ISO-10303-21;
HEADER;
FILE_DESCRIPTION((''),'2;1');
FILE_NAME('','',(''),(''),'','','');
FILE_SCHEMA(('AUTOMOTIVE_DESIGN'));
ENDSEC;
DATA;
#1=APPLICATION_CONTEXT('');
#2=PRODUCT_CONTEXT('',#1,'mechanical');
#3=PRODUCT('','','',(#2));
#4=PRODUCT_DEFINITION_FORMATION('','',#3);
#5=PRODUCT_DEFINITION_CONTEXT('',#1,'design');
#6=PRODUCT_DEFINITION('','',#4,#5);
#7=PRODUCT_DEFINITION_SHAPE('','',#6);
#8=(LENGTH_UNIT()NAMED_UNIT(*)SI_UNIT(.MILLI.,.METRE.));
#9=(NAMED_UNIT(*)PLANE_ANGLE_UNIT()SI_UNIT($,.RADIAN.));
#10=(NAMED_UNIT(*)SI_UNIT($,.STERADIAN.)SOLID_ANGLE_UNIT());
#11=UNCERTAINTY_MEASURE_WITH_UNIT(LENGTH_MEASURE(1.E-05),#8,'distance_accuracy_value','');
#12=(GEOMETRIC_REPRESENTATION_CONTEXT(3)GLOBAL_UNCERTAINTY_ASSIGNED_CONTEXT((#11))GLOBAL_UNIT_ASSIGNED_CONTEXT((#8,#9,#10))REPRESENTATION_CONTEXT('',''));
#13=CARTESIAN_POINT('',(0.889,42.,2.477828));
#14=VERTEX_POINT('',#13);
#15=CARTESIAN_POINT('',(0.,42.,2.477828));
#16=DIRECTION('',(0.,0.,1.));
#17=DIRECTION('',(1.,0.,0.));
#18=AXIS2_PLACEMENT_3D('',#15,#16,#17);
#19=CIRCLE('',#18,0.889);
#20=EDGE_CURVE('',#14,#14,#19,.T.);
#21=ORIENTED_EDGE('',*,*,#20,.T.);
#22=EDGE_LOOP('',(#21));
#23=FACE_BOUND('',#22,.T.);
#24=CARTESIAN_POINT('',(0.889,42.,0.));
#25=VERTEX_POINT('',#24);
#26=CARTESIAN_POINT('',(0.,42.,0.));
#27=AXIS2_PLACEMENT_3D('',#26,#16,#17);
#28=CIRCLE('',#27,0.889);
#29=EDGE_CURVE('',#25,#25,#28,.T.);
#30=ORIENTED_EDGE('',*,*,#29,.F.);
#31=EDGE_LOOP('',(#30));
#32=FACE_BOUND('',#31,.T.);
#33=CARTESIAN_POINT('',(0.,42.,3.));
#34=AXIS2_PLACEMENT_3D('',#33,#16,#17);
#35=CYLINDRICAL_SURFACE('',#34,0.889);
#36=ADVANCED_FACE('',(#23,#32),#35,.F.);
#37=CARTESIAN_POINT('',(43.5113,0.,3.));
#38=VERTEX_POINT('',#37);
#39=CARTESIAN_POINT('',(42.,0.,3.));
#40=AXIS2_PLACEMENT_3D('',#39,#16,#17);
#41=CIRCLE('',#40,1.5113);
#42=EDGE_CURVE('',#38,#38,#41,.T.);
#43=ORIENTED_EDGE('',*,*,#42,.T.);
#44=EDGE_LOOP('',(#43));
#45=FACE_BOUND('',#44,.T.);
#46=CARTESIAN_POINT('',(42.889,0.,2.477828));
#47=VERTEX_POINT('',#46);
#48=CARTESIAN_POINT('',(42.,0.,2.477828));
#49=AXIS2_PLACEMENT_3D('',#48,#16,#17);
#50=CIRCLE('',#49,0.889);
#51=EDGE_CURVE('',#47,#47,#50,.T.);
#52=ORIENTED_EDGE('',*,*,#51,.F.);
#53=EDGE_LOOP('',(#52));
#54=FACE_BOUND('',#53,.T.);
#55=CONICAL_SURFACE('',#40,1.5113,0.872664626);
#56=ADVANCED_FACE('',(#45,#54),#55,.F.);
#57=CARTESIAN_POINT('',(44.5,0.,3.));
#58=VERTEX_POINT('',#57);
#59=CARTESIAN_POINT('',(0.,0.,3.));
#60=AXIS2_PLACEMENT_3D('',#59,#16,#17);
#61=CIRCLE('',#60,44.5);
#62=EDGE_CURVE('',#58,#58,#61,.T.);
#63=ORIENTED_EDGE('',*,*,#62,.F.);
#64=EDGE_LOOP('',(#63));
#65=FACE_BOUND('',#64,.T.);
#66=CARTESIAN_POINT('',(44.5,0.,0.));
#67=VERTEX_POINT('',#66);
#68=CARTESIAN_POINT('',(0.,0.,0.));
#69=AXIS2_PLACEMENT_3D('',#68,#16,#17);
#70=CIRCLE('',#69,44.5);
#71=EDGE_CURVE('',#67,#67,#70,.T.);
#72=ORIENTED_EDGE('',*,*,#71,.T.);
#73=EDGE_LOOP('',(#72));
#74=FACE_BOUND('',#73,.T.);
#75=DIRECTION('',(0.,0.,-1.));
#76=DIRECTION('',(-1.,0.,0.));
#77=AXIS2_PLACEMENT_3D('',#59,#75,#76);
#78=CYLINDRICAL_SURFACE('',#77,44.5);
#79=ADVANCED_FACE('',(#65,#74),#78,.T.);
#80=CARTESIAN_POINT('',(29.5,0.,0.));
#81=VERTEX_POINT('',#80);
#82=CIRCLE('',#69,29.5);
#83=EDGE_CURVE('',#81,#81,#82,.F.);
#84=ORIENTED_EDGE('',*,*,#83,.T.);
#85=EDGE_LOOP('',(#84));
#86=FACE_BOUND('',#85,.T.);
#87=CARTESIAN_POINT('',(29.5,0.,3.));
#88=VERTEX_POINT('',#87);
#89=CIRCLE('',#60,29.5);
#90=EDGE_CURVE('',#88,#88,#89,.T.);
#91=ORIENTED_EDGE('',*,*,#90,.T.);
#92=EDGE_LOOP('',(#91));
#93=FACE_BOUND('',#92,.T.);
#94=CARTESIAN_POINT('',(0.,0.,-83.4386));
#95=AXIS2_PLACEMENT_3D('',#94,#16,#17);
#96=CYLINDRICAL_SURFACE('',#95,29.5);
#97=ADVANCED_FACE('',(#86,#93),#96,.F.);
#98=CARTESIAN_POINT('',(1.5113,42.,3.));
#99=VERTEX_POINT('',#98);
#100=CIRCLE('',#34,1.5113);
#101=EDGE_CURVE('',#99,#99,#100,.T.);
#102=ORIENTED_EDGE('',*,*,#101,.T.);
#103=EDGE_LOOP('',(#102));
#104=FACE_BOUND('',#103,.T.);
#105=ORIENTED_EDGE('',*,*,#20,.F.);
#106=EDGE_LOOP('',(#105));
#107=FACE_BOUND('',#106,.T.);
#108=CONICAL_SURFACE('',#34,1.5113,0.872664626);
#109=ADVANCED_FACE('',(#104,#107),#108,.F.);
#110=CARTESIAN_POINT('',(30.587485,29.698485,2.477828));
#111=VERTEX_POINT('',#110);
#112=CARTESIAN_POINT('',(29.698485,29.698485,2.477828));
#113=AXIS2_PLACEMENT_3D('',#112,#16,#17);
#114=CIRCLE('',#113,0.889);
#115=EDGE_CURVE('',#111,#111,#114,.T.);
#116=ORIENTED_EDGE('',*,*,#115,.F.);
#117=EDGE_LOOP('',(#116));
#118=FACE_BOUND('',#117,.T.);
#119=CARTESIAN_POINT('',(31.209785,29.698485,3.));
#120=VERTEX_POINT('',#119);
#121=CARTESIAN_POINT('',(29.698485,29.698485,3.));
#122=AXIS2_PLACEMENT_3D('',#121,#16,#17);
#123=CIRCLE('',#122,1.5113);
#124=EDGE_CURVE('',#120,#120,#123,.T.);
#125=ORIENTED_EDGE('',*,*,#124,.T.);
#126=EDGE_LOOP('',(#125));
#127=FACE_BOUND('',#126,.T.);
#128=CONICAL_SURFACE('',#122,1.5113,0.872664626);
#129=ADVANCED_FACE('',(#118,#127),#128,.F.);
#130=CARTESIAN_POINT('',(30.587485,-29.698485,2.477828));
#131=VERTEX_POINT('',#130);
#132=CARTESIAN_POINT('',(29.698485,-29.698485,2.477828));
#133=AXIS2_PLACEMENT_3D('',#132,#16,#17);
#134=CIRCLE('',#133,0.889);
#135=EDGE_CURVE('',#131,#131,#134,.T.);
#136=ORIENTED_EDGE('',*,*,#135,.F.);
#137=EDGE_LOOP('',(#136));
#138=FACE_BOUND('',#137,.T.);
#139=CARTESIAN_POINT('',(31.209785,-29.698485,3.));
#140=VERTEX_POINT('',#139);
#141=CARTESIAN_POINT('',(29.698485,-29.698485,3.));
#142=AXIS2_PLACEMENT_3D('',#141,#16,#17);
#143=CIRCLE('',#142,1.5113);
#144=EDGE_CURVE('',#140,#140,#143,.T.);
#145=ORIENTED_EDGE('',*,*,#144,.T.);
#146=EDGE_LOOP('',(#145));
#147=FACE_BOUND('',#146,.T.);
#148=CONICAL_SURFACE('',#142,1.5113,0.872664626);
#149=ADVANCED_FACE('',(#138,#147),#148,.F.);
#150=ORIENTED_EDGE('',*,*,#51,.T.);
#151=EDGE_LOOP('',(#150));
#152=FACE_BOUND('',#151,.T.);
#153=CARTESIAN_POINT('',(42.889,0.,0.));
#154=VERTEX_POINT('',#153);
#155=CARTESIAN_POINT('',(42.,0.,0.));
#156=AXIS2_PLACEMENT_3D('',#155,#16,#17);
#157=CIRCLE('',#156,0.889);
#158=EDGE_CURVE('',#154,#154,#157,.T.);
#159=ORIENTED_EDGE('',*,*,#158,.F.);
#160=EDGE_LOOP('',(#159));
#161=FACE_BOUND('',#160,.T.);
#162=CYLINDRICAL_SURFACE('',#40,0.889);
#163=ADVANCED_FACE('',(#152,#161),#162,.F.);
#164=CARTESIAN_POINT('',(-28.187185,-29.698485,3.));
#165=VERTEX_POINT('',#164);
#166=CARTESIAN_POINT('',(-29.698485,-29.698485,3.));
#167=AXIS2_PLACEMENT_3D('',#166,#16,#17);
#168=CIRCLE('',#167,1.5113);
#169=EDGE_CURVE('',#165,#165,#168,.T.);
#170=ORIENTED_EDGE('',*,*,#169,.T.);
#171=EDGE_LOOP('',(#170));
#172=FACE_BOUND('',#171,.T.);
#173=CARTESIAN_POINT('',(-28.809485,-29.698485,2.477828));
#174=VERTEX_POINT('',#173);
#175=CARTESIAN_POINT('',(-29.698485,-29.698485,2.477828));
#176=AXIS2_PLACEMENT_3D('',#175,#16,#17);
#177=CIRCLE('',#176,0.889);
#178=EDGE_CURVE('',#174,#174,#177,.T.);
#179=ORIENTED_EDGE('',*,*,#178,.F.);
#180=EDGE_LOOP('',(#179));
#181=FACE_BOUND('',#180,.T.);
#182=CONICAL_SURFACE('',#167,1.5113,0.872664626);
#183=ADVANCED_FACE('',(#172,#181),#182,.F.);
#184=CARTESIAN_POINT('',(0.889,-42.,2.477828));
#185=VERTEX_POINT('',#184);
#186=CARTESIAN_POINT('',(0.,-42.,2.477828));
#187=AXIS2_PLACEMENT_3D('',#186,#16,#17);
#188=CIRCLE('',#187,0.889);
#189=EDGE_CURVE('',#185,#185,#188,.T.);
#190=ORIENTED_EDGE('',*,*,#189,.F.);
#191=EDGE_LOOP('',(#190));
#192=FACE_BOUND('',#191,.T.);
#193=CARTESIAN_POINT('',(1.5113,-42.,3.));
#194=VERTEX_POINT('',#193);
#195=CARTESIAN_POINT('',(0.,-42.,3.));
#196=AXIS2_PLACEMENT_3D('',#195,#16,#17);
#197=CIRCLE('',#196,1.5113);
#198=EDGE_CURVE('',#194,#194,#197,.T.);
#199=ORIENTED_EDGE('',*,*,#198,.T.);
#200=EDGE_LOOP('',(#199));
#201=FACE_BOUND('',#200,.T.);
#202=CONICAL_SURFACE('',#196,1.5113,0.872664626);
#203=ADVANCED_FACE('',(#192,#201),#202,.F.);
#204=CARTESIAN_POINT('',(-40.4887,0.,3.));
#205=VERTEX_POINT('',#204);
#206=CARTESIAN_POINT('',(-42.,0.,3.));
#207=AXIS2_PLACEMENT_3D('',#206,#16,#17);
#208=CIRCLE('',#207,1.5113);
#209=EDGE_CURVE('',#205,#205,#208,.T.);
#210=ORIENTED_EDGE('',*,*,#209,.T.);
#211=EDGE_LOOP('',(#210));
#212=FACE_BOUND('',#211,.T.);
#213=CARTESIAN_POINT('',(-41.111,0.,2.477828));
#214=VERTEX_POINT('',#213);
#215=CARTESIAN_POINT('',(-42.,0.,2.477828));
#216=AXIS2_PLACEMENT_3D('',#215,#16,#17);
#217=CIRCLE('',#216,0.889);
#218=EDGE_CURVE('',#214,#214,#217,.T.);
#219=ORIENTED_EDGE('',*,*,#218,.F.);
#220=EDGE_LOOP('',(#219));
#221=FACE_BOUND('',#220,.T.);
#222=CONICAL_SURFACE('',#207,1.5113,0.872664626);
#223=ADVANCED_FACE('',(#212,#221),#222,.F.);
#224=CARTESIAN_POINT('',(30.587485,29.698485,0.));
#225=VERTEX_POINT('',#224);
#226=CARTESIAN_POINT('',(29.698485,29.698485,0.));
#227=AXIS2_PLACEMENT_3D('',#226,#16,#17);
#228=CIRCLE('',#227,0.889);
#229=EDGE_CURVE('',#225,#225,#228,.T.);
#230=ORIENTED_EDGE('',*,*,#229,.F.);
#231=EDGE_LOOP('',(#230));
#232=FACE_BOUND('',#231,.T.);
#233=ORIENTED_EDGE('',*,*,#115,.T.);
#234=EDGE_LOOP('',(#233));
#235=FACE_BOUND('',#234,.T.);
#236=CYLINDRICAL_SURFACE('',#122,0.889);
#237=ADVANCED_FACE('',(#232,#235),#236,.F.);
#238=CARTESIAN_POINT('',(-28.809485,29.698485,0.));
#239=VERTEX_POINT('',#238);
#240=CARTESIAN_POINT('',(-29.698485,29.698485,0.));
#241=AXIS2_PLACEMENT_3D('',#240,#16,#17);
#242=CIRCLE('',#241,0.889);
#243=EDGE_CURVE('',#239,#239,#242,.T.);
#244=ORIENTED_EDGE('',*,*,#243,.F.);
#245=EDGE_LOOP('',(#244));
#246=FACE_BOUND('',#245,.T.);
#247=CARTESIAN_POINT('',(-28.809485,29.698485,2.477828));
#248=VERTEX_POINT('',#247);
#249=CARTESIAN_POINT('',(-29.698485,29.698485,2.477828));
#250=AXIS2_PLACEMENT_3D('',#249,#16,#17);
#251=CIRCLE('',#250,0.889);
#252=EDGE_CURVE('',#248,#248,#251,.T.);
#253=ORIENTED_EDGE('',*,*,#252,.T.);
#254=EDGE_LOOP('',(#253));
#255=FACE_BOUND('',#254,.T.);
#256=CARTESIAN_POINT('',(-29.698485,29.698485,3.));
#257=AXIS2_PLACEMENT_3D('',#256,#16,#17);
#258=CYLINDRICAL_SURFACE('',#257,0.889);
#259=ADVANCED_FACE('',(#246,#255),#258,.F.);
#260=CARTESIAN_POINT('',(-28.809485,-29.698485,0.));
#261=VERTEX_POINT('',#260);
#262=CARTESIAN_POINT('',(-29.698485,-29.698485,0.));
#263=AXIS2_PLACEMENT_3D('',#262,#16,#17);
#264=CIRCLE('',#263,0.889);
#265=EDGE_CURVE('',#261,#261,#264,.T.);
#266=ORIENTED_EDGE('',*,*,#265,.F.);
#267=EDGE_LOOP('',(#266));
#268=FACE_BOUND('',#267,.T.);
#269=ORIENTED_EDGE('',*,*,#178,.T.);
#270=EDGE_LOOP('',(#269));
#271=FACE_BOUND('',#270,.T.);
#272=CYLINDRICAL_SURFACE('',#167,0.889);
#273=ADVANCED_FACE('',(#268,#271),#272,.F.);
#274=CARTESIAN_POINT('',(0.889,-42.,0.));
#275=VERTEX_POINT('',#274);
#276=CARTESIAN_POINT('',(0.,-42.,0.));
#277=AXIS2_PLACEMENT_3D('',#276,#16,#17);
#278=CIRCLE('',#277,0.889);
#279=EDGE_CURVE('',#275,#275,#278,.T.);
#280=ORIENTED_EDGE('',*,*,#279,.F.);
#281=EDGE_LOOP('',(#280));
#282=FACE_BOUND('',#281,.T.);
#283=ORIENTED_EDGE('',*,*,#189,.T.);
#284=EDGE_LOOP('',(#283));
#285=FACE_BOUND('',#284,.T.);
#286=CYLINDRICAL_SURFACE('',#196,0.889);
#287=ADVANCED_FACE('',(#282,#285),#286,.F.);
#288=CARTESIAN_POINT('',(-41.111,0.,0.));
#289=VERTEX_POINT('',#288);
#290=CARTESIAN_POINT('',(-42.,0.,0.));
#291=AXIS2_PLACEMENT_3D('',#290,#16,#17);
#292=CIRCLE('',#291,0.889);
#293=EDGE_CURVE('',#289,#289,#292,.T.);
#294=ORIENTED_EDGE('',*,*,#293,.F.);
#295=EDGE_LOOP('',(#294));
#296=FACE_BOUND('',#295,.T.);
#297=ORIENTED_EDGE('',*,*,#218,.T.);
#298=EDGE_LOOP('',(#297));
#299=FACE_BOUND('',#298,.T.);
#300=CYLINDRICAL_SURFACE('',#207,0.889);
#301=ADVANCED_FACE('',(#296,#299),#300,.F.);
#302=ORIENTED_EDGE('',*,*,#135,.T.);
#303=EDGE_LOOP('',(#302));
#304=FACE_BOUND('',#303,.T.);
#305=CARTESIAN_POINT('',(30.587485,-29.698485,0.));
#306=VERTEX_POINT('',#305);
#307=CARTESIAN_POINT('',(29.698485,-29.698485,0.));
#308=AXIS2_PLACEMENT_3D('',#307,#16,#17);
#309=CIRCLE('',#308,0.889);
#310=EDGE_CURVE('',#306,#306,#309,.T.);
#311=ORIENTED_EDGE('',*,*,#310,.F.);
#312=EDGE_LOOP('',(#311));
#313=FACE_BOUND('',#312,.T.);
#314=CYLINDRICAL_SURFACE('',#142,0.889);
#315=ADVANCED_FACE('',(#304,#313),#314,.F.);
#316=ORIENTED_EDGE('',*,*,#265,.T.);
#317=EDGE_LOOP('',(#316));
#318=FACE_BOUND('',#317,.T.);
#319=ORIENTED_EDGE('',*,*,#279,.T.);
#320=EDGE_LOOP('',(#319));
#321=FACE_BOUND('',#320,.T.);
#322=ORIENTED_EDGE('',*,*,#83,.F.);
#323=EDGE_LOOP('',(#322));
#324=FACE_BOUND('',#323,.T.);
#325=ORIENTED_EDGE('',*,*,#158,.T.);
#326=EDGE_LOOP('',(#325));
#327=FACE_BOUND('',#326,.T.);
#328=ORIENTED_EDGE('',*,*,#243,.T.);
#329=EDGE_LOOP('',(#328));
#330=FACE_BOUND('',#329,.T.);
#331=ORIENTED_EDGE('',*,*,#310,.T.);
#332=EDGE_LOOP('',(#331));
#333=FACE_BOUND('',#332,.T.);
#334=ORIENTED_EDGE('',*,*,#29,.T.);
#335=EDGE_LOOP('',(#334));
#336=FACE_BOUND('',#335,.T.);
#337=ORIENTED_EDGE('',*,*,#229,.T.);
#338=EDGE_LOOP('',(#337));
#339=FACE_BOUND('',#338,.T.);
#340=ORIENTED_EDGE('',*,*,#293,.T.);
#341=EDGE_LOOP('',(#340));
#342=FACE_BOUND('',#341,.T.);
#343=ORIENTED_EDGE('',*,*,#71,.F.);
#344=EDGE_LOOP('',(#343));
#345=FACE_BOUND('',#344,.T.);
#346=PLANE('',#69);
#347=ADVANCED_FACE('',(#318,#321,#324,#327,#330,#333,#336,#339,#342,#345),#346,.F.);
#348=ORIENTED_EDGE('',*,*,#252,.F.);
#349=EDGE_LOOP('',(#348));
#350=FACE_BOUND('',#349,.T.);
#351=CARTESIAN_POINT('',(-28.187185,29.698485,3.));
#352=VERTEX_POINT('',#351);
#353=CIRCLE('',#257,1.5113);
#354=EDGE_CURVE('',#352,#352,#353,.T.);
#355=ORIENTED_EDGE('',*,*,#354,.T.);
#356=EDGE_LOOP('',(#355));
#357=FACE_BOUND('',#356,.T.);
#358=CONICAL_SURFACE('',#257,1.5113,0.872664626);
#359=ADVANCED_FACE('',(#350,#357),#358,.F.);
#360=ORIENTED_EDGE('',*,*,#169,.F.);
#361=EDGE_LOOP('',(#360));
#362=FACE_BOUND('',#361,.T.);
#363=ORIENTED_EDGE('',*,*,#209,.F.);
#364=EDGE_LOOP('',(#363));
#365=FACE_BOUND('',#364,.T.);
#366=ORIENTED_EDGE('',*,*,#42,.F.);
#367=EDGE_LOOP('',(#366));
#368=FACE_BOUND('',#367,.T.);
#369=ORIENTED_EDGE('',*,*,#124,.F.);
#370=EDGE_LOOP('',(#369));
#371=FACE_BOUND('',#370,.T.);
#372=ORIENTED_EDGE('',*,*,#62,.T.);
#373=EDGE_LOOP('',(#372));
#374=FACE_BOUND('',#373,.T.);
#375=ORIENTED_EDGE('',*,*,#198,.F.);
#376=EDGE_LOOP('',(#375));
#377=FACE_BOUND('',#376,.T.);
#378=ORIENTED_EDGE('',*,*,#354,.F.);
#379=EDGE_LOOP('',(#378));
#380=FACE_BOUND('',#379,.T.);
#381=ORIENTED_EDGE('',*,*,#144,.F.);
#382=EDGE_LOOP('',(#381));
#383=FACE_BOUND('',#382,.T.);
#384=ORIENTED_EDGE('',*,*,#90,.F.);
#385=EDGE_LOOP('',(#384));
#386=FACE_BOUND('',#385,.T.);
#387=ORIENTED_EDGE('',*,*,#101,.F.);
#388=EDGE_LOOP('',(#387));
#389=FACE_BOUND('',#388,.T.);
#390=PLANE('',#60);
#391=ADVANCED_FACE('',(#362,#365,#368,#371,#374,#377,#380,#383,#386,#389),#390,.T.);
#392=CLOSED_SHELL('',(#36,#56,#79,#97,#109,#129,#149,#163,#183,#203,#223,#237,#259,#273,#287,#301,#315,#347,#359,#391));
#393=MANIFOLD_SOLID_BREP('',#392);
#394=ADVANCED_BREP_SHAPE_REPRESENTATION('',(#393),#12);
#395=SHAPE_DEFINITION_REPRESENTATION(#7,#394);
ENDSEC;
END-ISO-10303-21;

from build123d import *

# Parameters (mm, degrees)
SKETCH1_R                                         = 44.5
BOSS_EXTRUDE1_DEPTH                               = 3
SKETCH2_R                                         = 29.5
CUT_EXTRUDE1_DEPTH                                = 3
CSK_FOR_0_FLAT_HEAD_MACHINE_SCREW_100_D           = 1.778
CSK_FOR_0_FLAT_HEAD_MACHINE_SCREW_100_CSINK_D     = 3.0226
CSK_FOR_0_FLAT_HEAD_MACHINE_SCREW_100_CSINK_ANGLE = 100
CIRPATTERN1_COUNT                                 = 8


with BuildPart() as part:
    # Sketch1 → Boss-Extrude1 (new body)
    with BuildSketch(Plane.XY):
        Circle(SKETCH1_R)
    extrude(amount=BOSS_EXTRUDE1_DEPTH)

    # Sketch2 → Cut-Extrude1 (cut)
    with BuildSketch(Plane.XY.offset(3)):
        Circle(SKETCH2_R)
    extrude(amount=-CUT_EXTRUDE1_DEPTH, mode=Mode.SUBTRACT)

    # CSK for #0 Flat Head Machine Screw (100)1 (through all)
    with Locations(Plane.XY.offset(3)):
        with Locations((0, 42)):
            csk_for_0_flat_head_machine_screw_100 = CounterSinkHole(CSK_FOR_0_FLAT_HEAD_MACHINE_SCREW_100_D / 2, CSK_FOR_0_FLAT_HEAD_MACHINE_SCREW_100_CSINK_D / 2, counter_sink_angle=CSK_FOR_0_FLAT_HEAD_MACHINE_SCREW_100_CSINK_ANGLE)

    # CirPattern1: CSK for #0 Flat Head Machine Screw (100)1 ×8 about axis
    cirpattern1_axis = Axis((0, 0, 0), (0, 0, 1))
    for i in range(1, CIRPATTERN1_COUNT):
        add(csk_for_0_flat_head_machine_screw_100.rotate(cirpattern1_axis, i * 360 / CIRPATTERN1_COUNT), mode=Mode.SUBTRACT)


solid = part.part
